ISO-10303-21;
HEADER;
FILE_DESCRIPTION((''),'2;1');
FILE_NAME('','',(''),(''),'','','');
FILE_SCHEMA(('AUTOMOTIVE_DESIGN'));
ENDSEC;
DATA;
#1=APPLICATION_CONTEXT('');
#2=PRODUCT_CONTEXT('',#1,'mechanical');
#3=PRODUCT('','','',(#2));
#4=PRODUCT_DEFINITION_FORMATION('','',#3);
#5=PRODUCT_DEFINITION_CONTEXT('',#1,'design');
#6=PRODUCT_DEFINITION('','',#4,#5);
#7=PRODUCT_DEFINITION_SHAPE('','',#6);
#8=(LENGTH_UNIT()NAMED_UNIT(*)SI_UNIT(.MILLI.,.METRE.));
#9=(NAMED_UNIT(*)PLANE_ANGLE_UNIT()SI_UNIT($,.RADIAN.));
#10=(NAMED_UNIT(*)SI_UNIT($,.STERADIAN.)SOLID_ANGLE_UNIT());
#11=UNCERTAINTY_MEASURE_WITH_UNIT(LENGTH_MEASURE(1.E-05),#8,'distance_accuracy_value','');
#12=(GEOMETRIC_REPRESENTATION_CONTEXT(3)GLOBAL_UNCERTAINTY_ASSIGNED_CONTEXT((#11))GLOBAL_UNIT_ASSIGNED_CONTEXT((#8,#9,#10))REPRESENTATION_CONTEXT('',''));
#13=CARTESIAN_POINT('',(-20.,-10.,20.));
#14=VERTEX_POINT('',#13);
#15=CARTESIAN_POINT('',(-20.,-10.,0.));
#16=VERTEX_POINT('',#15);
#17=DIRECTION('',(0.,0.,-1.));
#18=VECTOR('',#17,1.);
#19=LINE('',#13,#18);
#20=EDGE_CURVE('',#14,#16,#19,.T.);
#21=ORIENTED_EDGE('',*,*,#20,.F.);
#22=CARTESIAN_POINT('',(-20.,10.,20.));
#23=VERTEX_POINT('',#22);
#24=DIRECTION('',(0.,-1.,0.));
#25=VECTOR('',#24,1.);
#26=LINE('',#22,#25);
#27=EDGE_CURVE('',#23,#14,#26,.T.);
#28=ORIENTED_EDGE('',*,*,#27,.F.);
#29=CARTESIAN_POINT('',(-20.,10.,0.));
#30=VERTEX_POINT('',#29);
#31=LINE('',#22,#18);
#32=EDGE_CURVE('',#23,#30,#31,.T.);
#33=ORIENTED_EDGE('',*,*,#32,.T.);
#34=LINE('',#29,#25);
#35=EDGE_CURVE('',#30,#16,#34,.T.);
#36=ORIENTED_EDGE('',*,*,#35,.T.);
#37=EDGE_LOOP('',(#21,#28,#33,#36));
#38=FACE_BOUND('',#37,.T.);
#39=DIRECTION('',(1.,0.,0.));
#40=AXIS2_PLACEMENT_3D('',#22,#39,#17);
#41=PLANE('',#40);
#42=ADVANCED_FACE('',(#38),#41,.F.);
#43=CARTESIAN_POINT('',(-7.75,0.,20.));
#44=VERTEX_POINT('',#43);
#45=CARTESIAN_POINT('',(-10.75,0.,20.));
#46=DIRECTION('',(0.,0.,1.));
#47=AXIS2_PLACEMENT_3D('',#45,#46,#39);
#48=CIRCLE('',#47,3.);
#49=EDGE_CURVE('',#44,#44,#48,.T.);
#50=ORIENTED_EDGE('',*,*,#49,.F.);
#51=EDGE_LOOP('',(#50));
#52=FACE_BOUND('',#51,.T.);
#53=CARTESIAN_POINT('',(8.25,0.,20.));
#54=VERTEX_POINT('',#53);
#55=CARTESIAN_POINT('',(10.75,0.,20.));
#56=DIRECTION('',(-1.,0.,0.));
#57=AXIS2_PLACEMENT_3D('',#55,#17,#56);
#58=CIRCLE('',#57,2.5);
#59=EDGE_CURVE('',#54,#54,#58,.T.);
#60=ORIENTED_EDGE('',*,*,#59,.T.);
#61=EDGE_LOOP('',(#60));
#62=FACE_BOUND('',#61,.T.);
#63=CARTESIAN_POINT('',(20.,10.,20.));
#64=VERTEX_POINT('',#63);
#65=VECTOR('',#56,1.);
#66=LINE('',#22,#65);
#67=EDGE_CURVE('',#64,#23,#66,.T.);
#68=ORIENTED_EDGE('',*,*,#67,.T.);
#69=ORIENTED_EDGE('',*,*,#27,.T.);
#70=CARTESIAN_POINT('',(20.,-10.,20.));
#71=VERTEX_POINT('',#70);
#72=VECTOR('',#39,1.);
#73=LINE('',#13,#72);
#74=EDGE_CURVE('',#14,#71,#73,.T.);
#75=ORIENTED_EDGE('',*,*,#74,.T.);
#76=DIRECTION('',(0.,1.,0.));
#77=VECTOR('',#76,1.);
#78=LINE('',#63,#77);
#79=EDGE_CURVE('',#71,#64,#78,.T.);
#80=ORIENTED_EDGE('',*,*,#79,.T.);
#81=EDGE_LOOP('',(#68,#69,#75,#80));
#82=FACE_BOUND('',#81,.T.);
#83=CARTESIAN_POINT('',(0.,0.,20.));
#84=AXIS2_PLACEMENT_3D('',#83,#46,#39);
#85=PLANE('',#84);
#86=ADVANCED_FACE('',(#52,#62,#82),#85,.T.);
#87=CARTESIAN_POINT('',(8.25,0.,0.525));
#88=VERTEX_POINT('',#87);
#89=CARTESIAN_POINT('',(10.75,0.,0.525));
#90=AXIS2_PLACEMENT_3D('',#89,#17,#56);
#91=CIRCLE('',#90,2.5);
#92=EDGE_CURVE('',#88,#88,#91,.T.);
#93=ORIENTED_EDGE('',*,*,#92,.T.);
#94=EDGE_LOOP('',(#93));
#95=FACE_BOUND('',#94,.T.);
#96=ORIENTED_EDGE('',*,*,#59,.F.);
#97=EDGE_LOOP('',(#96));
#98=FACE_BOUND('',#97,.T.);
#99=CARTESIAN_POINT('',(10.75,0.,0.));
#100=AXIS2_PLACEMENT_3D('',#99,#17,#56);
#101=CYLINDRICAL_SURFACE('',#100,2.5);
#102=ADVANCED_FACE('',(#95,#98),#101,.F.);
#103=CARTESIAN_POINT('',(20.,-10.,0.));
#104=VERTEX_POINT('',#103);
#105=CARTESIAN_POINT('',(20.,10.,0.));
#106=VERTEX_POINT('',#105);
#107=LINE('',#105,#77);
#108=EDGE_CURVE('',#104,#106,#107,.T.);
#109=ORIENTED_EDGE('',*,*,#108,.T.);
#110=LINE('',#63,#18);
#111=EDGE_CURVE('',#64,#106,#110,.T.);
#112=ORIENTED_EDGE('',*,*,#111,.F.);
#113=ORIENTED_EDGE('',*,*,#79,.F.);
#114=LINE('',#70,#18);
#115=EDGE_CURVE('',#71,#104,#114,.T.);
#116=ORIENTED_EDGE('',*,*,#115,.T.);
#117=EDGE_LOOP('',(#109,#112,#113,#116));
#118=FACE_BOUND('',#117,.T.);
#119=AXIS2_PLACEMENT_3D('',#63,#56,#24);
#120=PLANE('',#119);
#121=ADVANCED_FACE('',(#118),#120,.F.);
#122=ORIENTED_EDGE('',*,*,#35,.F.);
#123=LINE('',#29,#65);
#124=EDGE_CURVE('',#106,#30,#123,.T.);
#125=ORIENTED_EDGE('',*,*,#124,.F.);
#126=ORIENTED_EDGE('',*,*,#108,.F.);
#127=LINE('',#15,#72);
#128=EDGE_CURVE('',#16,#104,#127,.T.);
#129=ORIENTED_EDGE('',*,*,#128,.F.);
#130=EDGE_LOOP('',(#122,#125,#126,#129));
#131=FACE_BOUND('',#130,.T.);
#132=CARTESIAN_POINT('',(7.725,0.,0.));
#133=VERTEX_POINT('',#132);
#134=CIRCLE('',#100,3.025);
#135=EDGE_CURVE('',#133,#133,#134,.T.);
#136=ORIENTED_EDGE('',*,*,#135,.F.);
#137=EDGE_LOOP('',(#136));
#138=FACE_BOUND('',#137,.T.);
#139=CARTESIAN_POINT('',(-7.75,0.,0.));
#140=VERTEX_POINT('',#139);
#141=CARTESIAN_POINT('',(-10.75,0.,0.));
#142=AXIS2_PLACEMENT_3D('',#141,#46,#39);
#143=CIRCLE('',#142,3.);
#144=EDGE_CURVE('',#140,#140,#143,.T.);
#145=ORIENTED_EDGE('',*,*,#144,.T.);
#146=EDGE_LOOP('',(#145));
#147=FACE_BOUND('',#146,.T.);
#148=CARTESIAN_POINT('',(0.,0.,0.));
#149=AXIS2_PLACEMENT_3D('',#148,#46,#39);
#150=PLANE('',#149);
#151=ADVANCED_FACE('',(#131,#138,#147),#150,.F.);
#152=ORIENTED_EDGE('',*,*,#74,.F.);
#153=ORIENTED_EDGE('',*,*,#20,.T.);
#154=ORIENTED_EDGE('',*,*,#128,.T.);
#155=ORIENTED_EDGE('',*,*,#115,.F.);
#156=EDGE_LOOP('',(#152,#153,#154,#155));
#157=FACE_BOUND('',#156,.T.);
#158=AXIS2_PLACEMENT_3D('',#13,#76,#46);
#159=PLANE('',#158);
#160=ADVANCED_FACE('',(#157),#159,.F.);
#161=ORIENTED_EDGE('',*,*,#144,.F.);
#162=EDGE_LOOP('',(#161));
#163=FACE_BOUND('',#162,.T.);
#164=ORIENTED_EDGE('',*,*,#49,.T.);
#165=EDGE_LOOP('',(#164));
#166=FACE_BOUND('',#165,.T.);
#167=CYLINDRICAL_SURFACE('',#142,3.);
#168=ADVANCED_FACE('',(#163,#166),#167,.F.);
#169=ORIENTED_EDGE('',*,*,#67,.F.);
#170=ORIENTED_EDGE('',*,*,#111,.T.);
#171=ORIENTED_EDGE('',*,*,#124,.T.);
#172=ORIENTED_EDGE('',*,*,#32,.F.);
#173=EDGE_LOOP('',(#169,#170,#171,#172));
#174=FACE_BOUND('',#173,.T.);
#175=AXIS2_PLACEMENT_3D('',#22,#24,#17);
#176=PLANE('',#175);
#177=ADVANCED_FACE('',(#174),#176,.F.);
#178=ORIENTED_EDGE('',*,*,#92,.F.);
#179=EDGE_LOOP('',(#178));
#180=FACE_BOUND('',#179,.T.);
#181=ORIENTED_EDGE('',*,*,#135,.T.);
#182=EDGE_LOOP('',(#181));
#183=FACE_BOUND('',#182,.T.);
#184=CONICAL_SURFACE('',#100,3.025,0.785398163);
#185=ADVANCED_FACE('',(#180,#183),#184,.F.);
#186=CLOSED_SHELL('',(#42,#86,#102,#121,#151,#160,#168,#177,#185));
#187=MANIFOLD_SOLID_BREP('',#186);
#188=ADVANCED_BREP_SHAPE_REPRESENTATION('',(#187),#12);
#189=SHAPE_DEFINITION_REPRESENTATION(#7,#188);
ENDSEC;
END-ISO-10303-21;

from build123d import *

# Parameters (mm, degrees)
SKETCH_1_W                   = 40
SKETCH_1_H                   = 20
EXTRUDE_1_DEPTH              = 20
HOLE_WIZARD_M6_1_D           = 5
HOLE_WIZARD_M6_1_CSINK_D     = 6.05
HOLE_WIZARD_M6_1_CSINK_ANGLE = 90
SKETCH_3_R                   = 3
CUT_EXTRUDE_1_DEPTH          = 31


with BuildPart() as part:
    # 草图1 → 凸台-拉伸1 (new body)
    with BuildSketch(Plane.XY):
        Rectangle(SKETCH_1_W, SKETCH_1_H)
    extrude(amount=EXTRUDE_1_DEPTH)

    # M6 螺纹孔1 (through all)
    with Locations(Plane(origin=(10.75, 0, 0), x_dir=(-1, 0, 0), z_dir=(0, 0, -1))):
        with Locations((0, 0)):
            CounterSinkHole(HOLE_WIZARD_M6_1_D / 2, HOLE_WIZARD_M6_1_CSINK_D / 2, counter_sink_angle=HOLE_WIZARD_M6_1_CSINK_ANGLE)

    # 草图3 → 切除-拉伸1 (cut, through all)
    with BuildSketch(Plane.XY.offset(20)):
        with Locations((-10.75, 0)):
            Circle(SKETCH_3_R)
    extrude(amount=-CUT_EXTRUDE_1_DEPTH, mode=Mode.SUBTRACT)


solid = part.part
